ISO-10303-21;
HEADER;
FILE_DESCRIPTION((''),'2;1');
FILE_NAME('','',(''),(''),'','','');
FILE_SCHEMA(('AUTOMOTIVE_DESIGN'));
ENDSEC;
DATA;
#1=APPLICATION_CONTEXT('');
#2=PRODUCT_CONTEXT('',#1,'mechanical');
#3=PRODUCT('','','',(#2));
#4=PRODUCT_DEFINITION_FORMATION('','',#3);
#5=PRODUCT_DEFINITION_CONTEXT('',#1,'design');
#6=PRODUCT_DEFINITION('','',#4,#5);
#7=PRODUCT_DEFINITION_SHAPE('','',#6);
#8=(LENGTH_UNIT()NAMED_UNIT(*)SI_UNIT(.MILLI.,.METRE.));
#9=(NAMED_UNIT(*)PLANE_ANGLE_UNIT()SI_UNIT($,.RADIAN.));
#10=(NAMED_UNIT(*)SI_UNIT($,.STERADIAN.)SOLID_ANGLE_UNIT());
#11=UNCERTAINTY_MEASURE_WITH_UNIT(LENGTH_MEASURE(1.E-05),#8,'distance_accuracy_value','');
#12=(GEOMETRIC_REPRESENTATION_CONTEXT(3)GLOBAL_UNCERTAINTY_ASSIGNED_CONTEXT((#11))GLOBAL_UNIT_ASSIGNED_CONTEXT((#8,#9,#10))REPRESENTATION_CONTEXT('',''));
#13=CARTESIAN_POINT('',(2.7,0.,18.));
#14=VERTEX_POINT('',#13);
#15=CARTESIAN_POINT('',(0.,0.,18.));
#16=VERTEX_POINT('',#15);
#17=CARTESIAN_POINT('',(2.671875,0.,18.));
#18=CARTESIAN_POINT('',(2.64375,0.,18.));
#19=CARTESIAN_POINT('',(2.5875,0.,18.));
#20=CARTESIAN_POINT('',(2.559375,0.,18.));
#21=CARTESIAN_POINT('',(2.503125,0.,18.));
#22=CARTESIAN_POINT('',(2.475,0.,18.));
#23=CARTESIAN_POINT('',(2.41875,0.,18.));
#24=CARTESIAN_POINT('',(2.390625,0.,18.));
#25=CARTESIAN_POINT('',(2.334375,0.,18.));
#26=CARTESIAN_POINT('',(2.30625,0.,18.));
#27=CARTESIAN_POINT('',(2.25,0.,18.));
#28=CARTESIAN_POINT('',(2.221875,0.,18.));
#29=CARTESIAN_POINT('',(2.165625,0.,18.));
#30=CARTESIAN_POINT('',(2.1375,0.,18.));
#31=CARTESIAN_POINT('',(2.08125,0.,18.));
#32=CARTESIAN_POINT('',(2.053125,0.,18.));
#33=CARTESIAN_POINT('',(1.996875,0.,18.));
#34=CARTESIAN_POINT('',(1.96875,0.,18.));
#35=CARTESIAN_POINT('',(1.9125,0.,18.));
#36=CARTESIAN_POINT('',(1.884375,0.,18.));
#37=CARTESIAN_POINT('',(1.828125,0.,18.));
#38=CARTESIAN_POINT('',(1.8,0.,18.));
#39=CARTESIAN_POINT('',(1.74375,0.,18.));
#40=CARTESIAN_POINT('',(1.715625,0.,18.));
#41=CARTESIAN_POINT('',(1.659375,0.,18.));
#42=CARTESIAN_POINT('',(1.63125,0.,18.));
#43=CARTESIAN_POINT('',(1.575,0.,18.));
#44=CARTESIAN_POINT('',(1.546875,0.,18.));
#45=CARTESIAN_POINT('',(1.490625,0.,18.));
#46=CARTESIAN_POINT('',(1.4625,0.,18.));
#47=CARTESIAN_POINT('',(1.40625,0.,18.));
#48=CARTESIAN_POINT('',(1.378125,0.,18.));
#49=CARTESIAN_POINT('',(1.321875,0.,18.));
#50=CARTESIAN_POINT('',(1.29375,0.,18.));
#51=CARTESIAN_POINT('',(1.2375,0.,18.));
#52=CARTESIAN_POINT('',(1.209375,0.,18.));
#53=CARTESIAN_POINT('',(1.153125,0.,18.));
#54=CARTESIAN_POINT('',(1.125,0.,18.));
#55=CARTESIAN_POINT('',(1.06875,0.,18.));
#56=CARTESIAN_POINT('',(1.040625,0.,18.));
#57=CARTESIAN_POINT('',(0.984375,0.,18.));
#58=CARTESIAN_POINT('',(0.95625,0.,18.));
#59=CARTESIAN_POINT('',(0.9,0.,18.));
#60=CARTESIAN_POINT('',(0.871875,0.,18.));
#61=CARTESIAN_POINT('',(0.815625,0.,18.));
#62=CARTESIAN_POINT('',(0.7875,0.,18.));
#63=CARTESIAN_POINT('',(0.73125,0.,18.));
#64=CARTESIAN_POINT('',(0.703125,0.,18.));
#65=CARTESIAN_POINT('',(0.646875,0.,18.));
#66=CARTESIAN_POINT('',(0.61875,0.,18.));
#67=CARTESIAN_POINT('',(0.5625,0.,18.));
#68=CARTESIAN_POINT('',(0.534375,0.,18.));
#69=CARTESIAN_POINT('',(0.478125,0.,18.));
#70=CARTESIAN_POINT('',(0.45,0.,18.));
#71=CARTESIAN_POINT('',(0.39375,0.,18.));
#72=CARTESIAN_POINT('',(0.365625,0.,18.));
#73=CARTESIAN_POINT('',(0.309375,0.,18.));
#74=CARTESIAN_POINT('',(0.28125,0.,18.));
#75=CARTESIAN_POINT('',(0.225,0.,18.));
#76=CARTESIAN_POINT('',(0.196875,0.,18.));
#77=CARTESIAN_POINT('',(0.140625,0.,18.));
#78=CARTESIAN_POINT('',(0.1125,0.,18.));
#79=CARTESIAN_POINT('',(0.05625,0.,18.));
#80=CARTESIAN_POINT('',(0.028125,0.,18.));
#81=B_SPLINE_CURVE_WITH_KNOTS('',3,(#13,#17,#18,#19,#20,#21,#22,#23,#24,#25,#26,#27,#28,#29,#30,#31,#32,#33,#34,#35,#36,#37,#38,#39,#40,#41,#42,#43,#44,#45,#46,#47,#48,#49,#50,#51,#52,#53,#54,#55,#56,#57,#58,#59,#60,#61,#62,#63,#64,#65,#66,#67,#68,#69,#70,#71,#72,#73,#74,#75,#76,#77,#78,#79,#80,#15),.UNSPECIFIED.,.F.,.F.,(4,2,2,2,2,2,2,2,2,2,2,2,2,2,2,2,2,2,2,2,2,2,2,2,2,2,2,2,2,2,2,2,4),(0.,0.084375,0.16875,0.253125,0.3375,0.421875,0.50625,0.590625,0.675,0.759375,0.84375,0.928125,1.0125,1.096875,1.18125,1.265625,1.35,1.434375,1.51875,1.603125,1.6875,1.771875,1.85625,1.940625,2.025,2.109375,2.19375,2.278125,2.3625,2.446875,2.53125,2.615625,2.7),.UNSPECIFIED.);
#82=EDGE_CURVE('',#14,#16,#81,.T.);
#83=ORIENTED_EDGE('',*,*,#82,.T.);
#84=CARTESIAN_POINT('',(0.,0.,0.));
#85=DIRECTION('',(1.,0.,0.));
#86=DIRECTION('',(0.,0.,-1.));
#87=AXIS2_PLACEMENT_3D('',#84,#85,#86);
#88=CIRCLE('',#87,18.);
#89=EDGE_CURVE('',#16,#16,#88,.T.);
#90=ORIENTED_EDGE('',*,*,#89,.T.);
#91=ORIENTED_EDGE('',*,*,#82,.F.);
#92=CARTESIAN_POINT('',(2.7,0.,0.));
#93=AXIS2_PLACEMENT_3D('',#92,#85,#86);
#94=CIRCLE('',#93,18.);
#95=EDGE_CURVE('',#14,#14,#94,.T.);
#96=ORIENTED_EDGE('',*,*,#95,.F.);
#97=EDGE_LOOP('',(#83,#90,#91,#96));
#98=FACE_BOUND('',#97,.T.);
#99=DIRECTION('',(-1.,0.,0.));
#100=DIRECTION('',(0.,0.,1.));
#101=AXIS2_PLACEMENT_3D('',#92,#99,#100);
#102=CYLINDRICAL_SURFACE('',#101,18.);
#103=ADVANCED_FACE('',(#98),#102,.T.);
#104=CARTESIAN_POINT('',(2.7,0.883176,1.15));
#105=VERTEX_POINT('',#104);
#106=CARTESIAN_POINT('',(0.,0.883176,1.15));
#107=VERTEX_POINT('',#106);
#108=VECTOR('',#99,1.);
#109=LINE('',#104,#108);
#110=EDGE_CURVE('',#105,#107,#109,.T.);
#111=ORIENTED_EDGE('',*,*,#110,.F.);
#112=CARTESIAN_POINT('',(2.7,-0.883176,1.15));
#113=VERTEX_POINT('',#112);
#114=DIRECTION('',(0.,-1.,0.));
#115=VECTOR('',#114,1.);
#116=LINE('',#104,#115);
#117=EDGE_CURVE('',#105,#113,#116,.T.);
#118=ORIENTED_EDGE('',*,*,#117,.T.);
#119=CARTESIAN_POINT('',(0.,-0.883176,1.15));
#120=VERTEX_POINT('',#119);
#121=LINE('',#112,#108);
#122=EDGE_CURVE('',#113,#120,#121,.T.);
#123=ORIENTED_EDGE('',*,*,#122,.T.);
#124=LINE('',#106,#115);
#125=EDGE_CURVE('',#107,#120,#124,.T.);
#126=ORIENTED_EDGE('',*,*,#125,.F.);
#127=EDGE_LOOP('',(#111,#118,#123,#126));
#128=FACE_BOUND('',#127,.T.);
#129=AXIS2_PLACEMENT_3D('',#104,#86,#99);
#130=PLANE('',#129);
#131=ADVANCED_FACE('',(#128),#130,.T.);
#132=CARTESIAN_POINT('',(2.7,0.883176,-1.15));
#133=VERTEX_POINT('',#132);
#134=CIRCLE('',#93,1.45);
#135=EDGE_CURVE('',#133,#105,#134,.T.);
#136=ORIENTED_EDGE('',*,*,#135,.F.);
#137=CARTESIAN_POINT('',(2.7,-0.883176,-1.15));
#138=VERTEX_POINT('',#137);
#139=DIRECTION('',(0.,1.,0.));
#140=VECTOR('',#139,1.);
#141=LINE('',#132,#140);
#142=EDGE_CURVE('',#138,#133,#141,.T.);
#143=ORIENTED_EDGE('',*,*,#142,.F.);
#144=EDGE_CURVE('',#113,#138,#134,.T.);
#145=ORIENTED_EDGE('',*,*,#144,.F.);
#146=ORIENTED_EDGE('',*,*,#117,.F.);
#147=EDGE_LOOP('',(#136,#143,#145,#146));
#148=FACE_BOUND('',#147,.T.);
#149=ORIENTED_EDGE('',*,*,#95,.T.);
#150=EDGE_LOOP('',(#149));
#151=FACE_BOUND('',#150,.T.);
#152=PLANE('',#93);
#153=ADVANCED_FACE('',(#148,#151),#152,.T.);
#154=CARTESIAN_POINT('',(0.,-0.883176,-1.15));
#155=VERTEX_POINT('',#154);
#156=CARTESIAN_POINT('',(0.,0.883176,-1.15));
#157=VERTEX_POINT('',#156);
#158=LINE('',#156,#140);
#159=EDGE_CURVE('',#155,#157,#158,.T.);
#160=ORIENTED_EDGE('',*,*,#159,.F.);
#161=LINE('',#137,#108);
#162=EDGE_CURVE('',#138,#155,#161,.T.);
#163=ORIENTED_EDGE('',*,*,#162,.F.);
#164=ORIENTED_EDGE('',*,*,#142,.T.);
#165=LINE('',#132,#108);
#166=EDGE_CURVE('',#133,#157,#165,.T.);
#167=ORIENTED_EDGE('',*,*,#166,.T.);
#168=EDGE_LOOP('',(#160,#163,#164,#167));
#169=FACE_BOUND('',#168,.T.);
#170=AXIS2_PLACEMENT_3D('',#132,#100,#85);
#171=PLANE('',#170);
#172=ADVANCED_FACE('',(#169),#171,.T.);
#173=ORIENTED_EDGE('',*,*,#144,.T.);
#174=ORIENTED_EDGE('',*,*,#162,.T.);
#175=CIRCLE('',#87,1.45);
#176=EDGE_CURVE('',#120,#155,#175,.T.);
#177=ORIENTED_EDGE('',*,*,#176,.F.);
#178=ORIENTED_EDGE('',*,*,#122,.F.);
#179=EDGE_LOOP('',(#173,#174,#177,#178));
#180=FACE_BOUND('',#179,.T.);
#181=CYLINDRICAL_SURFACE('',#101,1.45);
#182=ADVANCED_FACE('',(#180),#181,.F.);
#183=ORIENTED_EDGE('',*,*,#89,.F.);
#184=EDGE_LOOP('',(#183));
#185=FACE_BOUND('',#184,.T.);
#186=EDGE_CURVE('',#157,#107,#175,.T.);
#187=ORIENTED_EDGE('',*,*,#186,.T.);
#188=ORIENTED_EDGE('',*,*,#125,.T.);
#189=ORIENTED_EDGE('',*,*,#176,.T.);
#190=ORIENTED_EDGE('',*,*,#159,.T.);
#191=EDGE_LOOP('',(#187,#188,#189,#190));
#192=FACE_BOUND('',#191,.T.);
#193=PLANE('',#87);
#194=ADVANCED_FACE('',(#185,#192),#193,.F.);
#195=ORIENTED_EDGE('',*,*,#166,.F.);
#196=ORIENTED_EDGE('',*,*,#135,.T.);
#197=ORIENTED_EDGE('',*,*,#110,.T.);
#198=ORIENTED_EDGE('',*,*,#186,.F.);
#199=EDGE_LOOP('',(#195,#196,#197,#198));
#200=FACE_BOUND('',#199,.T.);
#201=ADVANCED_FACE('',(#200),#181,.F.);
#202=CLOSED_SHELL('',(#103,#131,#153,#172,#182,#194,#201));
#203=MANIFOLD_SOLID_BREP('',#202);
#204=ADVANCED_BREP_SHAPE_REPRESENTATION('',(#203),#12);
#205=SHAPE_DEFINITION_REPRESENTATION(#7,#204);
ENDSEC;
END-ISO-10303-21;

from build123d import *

# Parameters (mm, degrees)
SKETCH1_R  = 18
BASE_DEPTH = 2.7


with BuildPart() as part:
    # Sketch1 → Base (new body)
    with BuildSketch(Plane(origin=(0, 0, 0), x_dir=(0, 0, -1), z_dir=(1, 0, 0))):
        with Locations(Location((0, 0, 0), (0, 0, 180))):
            Circle(SKETCH1_R)
        with BuildLine():
            Line((1.15, 0.883176087), (1.15, -0.883176087))
            ThreePointArc((1.15, -0.883176087), (0, -1.45), (-1.15, -0.883176087))
            Line((-1.15, -0.883176087), (-1.15, 0.883176087))
            ThreePointArc((-1.15, 0.883176087), (0, 1.45), (1.15, 0.883176087))
        make_face(mode=Mode.SUBTRACT)
    extrude(amount=BASE_DEPTH)


solid = part.part
